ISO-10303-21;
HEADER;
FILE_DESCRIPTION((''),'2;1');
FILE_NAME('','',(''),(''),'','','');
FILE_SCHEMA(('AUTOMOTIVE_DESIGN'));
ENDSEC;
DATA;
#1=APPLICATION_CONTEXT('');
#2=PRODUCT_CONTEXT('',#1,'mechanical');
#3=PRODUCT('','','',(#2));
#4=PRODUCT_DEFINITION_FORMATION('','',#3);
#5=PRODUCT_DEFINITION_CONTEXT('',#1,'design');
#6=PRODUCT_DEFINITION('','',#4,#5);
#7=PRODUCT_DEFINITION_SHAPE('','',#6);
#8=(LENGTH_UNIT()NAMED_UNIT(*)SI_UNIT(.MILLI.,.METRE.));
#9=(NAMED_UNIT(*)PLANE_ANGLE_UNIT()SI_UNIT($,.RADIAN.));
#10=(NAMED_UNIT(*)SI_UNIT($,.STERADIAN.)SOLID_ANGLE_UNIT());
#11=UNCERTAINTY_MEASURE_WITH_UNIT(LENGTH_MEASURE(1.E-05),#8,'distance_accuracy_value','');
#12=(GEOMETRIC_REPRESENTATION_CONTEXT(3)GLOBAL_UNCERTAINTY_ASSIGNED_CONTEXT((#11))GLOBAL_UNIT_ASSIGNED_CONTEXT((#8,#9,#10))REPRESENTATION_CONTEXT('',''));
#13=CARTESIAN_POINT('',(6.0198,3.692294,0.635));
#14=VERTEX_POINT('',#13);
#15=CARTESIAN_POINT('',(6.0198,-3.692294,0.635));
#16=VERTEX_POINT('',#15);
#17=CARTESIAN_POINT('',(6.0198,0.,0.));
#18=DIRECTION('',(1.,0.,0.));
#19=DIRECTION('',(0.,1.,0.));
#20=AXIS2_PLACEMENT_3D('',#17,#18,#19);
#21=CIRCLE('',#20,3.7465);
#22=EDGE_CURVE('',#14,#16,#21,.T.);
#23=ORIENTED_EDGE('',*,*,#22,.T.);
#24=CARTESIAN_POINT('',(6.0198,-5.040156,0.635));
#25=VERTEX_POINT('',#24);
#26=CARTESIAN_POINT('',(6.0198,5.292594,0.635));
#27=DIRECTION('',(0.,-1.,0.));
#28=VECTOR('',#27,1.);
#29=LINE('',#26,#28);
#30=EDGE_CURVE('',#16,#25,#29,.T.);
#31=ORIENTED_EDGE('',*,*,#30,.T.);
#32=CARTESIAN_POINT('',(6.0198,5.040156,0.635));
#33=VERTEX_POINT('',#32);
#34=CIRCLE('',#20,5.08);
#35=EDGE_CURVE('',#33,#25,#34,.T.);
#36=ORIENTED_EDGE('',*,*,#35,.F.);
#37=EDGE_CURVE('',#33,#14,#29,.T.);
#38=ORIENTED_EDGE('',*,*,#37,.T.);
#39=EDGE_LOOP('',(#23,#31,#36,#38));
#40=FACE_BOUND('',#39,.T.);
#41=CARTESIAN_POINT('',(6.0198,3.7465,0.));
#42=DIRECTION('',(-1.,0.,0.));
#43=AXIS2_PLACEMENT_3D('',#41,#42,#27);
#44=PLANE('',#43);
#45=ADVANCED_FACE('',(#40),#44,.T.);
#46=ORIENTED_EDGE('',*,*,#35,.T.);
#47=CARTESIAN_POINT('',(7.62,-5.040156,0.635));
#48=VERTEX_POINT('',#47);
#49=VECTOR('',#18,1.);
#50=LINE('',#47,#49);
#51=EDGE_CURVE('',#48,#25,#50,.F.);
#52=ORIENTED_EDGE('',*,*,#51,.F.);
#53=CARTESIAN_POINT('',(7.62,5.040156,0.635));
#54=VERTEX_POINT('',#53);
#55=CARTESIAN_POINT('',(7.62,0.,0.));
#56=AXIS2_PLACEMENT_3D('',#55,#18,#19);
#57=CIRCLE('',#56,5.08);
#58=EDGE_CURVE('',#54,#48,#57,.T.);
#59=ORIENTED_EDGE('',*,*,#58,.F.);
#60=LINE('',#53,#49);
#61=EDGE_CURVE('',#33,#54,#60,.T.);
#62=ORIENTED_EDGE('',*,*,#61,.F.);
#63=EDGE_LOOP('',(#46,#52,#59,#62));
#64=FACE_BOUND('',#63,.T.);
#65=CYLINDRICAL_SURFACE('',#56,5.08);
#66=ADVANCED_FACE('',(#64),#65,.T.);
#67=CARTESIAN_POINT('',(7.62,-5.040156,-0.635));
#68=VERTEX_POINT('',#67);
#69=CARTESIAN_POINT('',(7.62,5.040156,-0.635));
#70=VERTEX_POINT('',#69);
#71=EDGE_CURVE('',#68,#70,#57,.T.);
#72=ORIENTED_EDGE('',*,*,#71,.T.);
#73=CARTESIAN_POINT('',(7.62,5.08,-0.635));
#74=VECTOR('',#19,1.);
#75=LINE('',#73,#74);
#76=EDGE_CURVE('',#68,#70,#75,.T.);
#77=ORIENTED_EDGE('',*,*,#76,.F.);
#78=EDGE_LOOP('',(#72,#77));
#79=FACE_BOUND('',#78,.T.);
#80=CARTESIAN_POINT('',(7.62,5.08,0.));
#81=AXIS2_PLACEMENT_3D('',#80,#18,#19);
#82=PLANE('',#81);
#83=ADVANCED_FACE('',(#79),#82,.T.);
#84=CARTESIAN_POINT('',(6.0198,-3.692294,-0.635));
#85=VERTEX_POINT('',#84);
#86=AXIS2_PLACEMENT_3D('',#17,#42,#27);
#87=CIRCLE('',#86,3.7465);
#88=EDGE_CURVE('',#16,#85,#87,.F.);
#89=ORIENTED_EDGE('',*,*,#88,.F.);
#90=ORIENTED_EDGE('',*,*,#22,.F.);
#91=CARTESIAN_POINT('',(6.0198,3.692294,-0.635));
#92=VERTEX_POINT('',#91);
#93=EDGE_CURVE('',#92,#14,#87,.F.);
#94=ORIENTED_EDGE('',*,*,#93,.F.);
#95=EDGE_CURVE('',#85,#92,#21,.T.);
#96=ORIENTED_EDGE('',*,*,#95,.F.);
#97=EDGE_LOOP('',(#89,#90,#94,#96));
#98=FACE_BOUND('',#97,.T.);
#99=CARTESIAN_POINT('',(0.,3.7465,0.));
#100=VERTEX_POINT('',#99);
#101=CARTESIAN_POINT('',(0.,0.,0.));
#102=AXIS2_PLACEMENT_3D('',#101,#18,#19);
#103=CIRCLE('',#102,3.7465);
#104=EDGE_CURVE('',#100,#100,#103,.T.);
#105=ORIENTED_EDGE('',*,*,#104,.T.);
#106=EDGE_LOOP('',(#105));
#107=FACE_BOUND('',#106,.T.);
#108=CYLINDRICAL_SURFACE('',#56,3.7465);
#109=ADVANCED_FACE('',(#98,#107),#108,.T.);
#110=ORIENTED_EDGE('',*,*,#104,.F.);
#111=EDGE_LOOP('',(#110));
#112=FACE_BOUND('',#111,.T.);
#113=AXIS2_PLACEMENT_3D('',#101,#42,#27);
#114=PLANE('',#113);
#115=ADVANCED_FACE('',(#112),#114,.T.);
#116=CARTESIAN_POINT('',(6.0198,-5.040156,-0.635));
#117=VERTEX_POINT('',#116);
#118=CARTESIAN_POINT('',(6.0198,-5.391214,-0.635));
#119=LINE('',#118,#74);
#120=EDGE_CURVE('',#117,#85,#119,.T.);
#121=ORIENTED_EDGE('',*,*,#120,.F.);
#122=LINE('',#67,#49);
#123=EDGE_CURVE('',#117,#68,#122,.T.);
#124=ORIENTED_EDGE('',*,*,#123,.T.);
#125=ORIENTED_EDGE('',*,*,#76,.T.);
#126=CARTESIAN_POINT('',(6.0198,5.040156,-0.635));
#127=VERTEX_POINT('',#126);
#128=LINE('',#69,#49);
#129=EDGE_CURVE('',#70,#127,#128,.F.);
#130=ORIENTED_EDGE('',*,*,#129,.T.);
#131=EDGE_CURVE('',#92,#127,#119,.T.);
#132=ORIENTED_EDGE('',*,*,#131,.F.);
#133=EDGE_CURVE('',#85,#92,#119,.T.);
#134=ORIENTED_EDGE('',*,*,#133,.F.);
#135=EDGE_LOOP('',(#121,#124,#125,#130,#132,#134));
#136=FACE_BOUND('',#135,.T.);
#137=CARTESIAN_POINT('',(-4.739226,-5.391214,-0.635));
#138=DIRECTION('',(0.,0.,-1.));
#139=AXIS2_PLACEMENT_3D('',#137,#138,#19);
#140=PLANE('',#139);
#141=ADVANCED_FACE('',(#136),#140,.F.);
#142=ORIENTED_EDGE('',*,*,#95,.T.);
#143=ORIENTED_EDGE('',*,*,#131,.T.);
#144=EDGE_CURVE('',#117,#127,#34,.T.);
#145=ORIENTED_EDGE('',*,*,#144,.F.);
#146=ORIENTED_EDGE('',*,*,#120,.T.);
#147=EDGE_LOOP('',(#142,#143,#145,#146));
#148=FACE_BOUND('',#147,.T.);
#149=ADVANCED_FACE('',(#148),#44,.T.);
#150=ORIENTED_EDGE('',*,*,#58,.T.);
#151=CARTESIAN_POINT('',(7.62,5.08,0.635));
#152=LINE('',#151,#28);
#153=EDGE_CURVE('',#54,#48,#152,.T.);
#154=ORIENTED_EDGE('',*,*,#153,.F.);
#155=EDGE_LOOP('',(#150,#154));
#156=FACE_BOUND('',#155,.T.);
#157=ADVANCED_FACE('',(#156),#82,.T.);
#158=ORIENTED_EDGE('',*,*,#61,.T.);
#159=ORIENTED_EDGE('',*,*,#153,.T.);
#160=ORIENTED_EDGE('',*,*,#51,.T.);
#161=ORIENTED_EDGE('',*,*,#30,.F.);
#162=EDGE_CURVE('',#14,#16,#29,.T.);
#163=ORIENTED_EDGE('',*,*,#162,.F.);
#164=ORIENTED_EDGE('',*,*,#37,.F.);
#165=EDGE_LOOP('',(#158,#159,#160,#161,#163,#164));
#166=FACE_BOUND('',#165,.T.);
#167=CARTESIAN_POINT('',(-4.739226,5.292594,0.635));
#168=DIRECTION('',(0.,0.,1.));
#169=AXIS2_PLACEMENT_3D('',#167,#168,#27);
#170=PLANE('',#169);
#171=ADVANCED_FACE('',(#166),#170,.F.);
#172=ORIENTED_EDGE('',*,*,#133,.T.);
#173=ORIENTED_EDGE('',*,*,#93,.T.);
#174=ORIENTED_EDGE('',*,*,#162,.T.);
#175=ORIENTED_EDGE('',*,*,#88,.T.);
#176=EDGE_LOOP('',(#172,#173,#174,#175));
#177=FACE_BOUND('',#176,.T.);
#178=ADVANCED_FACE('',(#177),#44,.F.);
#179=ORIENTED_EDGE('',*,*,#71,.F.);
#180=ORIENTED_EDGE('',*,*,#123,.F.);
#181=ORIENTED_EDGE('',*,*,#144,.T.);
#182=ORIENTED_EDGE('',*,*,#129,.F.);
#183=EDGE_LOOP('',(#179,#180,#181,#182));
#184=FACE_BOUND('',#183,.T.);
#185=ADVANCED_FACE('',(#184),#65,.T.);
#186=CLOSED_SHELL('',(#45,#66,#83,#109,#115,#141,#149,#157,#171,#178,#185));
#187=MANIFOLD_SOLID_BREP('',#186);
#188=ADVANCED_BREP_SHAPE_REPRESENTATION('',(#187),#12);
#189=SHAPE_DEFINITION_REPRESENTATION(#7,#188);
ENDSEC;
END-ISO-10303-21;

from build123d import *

# Parameters (mm, degrees)
SKETCH3_W          = 1.27
SKETCH3_H          = 10.683807707
CUT_EXTRUDE1_DEPTH = 1.6002


with BuildPart() as part:
    # Sketch1 → Revolve1 (revolve)
    with BuildSketch(Plane.XY):
        Polygon((0, 0), (0, 3.7465), (6.0198, 3.7465), (6.0198, 5.08), (7.62, 5.08), (7.62, 0), align=None)
    revolve(axis=Axis((7.62, 0, 0), (-1, 0, 0)))

    # Sketch3 → Cut-Extrude1 (cut)
    with BuildSketch(Plane(origin=(7.62, 0, 0), x_dir=(0, 0, -1), z_dir=(1, 0, 0))):
        with Locations((0, -0.049309881)):
            Rectangle(SKETCH3_W, SKETCH3_H)
    extrude(amount=-CUT_EXTRUDE1_DEPTH, mode=Mode.SUBTRACT)


solid = part.part
